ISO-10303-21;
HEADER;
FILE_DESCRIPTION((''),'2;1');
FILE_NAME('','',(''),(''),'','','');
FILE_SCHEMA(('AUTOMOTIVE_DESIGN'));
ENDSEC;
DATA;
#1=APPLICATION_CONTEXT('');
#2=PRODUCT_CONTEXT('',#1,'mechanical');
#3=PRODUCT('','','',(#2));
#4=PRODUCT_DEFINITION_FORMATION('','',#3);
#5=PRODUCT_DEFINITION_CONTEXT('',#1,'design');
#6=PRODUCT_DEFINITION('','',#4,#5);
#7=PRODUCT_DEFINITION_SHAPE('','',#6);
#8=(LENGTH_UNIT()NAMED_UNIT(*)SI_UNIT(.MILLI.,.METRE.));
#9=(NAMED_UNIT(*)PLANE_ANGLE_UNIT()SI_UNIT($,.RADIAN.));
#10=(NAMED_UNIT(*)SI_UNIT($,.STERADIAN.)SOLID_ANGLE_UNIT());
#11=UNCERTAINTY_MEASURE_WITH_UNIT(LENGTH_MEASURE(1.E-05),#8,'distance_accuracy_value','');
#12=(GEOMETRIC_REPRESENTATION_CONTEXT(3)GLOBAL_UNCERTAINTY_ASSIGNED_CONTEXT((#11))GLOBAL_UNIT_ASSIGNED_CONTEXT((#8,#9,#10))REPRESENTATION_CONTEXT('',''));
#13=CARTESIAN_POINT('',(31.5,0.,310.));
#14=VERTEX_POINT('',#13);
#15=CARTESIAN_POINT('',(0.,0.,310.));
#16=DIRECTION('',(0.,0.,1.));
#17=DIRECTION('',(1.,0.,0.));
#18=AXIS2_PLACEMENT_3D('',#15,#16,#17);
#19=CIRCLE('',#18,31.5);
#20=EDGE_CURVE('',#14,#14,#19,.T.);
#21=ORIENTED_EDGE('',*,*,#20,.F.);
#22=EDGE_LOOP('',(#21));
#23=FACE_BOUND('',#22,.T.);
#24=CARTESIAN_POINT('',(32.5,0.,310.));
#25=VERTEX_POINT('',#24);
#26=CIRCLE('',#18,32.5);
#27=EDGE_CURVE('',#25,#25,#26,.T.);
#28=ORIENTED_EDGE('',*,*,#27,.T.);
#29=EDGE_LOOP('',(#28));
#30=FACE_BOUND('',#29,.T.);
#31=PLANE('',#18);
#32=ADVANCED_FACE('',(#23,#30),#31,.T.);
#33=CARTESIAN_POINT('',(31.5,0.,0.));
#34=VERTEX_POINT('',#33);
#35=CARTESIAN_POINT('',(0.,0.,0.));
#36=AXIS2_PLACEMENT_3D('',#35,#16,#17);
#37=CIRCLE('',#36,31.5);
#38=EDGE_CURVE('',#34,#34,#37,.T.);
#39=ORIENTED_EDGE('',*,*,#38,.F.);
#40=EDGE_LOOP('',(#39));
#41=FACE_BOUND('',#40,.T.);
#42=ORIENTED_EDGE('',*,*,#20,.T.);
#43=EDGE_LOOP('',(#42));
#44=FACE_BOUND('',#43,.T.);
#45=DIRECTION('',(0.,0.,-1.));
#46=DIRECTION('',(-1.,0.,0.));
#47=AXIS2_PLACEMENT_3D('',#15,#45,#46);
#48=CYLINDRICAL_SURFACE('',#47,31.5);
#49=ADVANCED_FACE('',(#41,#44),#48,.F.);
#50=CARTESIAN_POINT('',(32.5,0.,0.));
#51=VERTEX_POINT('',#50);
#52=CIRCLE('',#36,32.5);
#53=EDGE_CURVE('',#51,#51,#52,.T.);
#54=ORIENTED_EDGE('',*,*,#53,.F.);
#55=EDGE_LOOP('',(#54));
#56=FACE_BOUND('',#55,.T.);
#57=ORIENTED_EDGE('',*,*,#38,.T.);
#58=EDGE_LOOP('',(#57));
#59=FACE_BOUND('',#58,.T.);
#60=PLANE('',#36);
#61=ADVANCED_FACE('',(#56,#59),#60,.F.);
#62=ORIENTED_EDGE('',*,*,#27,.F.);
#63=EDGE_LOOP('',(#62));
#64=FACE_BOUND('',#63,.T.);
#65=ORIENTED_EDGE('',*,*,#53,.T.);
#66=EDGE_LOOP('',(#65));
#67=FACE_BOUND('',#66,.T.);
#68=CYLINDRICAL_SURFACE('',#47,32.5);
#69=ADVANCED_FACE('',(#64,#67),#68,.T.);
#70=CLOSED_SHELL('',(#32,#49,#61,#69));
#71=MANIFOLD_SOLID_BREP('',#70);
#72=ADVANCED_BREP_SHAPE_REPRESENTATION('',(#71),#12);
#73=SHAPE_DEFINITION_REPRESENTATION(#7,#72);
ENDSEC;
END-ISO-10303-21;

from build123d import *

# Parameters (mm, degrees)
ESBO_O1_R                = 32.5
ESBO_O1_R_2              = 31.5
RESSALTO_EXTRUS_O1_DEPTH = 310


with BuildPart() as part:
    # Esboço1 → Ressalto-extrusão1 (new body)
    with BuildSketch(Plane.XY):
        Circle(ESBO_O1_R)
        Circle(ESBO_O1_R_2, mode=Mode.SUBTRACT)
    extrude(amount=RESSALTO_EXTRUS_O1_DEPTH)


solid = part.part
